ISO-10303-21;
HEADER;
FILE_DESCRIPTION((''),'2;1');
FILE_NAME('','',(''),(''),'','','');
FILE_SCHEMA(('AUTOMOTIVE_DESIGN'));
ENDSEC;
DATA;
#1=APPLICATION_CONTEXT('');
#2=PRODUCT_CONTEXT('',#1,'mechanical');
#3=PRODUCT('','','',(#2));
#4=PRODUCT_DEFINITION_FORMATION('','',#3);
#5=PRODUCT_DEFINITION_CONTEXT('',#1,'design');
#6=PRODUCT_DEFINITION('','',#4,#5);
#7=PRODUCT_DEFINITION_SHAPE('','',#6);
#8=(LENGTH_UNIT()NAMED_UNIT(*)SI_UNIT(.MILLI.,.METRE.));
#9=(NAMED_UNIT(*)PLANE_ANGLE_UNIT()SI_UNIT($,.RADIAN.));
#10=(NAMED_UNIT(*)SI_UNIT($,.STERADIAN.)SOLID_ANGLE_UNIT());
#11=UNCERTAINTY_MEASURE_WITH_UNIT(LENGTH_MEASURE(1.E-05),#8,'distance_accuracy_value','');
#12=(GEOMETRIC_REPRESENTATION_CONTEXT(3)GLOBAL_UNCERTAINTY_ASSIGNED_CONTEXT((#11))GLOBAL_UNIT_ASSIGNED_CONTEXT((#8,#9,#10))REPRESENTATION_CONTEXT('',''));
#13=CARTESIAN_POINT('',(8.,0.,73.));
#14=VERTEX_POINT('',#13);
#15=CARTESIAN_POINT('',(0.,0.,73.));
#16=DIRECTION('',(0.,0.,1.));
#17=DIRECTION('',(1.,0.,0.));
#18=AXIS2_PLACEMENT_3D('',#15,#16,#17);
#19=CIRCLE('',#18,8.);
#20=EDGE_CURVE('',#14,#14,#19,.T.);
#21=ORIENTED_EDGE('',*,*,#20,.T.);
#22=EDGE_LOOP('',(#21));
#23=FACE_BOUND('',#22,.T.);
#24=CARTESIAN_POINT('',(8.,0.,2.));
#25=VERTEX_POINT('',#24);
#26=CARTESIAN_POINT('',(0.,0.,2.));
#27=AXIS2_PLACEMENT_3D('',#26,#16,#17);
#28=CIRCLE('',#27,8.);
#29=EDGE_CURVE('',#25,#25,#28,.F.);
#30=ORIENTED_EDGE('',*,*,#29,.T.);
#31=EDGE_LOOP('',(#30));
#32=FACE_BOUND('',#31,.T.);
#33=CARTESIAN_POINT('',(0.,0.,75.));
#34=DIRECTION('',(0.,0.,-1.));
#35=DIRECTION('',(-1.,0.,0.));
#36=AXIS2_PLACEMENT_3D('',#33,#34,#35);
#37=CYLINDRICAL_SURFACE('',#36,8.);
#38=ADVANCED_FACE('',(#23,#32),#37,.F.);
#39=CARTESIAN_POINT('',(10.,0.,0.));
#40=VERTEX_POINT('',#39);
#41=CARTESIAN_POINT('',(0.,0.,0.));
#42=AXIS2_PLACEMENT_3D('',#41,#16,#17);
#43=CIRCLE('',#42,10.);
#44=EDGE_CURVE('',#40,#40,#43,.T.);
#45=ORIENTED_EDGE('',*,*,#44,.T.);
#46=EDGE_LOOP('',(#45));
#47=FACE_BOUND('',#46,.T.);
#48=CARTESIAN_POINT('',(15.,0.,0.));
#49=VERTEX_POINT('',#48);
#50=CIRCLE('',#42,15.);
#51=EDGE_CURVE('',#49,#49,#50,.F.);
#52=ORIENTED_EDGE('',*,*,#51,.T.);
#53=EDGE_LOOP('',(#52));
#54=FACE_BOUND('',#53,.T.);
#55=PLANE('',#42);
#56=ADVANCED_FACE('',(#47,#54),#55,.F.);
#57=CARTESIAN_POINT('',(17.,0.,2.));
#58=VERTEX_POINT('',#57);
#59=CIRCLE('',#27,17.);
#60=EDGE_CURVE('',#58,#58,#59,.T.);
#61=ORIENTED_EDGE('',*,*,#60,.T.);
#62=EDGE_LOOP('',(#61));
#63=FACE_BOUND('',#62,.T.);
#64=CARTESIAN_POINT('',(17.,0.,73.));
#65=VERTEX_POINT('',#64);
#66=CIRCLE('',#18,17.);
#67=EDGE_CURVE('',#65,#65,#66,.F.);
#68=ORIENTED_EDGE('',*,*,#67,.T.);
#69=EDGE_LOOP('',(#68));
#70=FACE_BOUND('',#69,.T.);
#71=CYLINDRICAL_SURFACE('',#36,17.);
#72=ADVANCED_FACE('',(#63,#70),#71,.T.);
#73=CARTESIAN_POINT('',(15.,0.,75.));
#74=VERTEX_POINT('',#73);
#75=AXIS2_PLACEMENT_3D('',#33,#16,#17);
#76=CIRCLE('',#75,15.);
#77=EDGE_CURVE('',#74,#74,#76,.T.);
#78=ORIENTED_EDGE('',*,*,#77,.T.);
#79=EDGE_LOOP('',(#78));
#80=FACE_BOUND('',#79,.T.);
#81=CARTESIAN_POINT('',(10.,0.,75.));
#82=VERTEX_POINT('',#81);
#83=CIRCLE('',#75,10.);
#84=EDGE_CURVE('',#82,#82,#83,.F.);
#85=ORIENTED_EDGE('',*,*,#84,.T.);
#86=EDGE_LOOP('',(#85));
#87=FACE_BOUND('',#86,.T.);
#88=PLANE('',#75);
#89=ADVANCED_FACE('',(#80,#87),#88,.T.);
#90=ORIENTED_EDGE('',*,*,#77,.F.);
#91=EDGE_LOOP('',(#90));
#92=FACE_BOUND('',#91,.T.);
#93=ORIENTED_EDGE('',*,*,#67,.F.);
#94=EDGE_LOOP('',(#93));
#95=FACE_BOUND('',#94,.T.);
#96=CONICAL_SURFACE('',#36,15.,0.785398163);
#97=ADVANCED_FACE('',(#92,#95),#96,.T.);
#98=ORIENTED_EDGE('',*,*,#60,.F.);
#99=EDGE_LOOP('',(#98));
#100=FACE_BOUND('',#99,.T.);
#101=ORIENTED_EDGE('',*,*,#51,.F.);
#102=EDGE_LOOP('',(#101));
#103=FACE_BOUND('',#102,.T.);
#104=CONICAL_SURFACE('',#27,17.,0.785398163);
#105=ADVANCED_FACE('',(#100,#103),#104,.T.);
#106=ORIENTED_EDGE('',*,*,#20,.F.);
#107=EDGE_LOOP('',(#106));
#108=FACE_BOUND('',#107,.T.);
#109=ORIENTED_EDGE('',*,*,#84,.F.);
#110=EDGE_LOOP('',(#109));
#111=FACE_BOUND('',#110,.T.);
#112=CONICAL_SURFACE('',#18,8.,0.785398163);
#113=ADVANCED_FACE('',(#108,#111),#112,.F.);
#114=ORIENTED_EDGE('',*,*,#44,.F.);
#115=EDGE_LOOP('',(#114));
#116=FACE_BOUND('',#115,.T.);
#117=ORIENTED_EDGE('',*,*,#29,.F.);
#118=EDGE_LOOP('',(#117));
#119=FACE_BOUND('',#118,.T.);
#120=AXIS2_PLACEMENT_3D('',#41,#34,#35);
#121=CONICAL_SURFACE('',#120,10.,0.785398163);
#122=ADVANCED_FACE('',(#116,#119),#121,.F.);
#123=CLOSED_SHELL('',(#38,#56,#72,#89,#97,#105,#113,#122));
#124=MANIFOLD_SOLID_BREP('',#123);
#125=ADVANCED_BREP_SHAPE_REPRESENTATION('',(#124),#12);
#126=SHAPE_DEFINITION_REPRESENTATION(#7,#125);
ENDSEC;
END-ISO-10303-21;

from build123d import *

# Parameters (mm, degrees)
SKETCH_1_R      = 17
SKETCH_1_R_2    = 8
EXTRUDE_1_DEPTH = 75
CHAMFER_1_SIZE  = 2


with BuildPart() as part:
    # Эскиз1 → Бобышка-Вытянуть1 (new body)
    with BuildSketch(Plane.XY):
        Circle(SKETCH_1_R)
        Circle(SKETCH_1_R_2, mode=Mode.SUBTRACT)
    extrude(amount=EXTRUDE_1_DEPTH)

    # Фаска1
    chamfer_1_edges = [part.edges().sort_by_distance(p)[0] for p in [
        (-17, 0, 0),
        (-17, 0, 75),
        (-8, 0, 0),
        (-8, 0, 75),
    ]]
    chamfer(chamfer_1_edges, length=CHAMFER_1_SIZE)


solid = part.part
